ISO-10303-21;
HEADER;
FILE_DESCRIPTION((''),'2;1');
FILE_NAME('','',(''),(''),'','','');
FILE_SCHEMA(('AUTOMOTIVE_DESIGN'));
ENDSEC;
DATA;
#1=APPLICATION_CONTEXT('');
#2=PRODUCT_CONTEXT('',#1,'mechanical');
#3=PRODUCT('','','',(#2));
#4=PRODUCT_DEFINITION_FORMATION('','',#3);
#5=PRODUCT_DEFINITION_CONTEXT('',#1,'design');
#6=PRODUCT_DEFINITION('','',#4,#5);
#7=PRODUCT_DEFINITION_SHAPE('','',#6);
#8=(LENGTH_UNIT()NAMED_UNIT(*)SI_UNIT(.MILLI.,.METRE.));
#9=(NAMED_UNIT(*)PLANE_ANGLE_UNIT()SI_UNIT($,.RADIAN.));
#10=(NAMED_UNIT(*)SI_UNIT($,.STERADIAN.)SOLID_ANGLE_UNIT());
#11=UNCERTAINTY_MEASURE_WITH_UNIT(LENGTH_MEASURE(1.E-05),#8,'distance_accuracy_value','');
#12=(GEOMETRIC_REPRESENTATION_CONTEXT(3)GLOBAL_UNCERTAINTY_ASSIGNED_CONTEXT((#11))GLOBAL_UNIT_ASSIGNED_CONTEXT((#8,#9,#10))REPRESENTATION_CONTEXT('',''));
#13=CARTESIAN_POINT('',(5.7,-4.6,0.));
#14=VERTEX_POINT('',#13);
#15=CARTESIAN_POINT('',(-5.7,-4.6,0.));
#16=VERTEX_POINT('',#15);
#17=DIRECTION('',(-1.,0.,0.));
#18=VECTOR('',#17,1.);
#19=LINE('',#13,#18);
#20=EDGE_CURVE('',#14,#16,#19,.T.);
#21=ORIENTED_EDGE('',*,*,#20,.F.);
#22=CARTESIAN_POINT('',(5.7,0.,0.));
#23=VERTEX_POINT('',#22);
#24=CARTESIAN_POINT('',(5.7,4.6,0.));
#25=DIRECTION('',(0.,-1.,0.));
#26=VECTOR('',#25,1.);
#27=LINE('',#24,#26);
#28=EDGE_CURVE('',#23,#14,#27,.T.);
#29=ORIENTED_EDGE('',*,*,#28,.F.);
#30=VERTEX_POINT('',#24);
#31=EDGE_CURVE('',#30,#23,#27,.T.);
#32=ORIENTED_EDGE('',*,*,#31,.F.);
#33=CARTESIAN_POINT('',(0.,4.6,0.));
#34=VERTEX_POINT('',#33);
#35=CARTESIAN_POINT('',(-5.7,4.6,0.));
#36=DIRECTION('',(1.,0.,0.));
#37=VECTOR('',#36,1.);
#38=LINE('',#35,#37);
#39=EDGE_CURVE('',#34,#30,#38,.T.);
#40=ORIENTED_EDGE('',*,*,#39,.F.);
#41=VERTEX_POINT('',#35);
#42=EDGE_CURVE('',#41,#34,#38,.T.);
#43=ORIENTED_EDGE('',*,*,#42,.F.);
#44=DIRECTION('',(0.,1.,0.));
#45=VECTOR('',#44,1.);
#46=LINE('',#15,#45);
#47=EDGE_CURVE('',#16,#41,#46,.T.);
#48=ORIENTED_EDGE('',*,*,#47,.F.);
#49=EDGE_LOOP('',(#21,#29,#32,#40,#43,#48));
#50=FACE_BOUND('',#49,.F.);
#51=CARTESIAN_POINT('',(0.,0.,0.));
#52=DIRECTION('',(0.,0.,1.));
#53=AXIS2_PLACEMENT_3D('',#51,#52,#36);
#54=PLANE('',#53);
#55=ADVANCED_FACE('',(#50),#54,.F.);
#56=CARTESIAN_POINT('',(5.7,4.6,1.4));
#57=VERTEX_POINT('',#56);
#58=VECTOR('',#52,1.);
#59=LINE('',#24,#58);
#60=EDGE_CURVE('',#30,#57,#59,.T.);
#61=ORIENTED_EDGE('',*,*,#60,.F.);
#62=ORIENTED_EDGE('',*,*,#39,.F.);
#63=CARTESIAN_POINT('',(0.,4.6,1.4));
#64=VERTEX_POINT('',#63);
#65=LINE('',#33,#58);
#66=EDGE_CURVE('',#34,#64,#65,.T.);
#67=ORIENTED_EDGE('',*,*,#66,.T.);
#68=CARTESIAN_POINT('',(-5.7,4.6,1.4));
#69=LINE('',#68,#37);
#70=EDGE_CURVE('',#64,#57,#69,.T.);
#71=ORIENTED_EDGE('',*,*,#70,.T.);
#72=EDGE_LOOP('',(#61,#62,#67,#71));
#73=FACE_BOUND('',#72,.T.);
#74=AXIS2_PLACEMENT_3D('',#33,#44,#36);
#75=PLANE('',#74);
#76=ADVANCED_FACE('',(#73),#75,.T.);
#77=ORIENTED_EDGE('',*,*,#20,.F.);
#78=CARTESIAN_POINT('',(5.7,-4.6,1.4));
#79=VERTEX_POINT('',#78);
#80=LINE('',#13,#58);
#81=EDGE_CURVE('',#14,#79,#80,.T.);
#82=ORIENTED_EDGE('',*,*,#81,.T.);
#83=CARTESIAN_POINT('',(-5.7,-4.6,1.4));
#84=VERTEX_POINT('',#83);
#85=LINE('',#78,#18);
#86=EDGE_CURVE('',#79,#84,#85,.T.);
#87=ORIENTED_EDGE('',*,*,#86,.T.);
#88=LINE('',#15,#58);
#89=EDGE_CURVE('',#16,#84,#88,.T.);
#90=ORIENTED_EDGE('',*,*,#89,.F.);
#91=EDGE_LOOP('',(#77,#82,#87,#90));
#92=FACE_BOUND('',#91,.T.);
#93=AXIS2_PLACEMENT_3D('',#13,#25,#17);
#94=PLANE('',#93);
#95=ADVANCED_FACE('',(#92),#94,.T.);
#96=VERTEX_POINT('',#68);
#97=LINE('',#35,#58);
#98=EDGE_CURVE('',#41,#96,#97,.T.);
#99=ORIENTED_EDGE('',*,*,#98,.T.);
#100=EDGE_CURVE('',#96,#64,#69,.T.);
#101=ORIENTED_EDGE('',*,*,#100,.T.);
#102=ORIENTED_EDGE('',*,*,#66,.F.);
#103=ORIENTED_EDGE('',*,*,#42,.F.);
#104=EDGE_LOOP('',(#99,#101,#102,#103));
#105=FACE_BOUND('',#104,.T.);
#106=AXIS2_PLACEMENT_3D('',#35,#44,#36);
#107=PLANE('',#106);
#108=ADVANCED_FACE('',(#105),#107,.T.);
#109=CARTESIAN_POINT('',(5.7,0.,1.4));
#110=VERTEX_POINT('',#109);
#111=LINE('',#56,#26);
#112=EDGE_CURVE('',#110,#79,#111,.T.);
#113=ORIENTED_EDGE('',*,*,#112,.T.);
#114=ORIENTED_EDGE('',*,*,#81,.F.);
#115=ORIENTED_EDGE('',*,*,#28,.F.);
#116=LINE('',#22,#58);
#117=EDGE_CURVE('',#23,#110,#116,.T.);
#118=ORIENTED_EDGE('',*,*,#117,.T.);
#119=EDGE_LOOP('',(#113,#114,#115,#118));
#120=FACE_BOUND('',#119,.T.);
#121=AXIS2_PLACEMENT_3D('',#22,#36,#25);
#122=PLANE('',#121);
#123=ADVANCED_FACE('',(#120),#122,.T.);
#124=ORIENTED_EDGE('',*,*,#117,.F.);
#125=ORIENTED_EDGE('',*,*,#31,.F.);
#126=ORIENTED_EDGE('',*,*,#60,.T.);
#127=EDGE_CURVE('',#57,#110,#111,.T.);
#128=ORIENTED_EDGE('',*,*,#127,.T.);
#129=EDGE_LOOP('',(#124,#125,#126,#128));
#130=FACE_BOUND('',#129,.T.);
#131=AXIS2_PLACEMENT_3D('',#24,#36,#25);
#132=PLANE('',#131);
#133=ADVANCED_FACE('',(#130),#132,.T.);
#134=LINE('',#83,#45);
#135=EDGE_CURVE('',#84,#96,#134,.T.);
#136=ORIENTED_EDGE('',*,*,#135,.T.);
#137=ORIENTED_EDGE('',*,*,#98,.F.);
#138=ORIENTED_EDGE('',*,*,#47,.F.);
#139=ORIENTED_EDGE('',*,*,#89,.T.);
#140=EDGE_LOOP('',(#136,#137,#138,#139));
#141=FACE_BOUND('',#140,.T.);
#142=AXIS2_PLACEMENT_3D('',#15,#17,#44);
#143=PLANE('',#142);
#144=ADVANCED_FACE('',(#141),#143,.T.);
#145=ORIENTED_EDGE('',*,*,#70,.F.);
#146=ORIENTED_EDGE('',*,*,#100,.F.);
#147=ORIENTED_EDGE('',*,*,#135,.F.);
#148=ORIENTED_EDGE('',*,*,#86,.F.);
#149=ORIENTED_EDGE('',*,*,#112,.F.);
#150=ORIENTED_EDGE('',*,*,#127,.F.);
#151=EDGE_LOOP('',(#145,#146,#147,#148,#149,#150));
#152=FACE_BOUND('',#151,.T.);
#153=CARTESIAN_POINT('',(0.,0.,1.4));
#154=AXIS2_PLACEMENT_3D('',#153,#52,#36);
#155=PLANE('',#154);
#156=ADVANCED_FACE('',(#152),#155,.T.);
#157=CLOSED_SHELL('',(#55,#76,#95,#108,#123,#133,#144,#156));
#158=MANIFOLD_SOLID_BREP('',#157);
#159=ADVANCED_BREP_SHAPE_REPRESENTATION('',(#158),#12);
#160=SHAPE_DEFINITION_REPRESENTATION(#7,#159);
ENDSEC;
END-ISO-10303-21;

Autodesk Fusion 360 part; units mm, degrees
sketch "Skizze1" plane through (0, 0, 0) normal (0, 0, 1) x (1, 0, 0)
  line L0 (-5.7, 4.6) -> (5.7, 4.6)
  line L1 (5.7, 4.6) -> (5.7, -4.6)
  line L2 (5.7, -4.6) -> (-5.7, -4.6)
  line L3 (-5.7, -4.6) -> (-5.7, 4.6)
  line L4 (0, 1.75) -> (0, 22.5)
  line L5 (1.75, 0) -> (22.5, 0)
  dimension "d1" = 11.4
  dimension "d2" = 9.2
extrude "Extrusion1" add sketch "Skizze1" along normal blind 1.4
